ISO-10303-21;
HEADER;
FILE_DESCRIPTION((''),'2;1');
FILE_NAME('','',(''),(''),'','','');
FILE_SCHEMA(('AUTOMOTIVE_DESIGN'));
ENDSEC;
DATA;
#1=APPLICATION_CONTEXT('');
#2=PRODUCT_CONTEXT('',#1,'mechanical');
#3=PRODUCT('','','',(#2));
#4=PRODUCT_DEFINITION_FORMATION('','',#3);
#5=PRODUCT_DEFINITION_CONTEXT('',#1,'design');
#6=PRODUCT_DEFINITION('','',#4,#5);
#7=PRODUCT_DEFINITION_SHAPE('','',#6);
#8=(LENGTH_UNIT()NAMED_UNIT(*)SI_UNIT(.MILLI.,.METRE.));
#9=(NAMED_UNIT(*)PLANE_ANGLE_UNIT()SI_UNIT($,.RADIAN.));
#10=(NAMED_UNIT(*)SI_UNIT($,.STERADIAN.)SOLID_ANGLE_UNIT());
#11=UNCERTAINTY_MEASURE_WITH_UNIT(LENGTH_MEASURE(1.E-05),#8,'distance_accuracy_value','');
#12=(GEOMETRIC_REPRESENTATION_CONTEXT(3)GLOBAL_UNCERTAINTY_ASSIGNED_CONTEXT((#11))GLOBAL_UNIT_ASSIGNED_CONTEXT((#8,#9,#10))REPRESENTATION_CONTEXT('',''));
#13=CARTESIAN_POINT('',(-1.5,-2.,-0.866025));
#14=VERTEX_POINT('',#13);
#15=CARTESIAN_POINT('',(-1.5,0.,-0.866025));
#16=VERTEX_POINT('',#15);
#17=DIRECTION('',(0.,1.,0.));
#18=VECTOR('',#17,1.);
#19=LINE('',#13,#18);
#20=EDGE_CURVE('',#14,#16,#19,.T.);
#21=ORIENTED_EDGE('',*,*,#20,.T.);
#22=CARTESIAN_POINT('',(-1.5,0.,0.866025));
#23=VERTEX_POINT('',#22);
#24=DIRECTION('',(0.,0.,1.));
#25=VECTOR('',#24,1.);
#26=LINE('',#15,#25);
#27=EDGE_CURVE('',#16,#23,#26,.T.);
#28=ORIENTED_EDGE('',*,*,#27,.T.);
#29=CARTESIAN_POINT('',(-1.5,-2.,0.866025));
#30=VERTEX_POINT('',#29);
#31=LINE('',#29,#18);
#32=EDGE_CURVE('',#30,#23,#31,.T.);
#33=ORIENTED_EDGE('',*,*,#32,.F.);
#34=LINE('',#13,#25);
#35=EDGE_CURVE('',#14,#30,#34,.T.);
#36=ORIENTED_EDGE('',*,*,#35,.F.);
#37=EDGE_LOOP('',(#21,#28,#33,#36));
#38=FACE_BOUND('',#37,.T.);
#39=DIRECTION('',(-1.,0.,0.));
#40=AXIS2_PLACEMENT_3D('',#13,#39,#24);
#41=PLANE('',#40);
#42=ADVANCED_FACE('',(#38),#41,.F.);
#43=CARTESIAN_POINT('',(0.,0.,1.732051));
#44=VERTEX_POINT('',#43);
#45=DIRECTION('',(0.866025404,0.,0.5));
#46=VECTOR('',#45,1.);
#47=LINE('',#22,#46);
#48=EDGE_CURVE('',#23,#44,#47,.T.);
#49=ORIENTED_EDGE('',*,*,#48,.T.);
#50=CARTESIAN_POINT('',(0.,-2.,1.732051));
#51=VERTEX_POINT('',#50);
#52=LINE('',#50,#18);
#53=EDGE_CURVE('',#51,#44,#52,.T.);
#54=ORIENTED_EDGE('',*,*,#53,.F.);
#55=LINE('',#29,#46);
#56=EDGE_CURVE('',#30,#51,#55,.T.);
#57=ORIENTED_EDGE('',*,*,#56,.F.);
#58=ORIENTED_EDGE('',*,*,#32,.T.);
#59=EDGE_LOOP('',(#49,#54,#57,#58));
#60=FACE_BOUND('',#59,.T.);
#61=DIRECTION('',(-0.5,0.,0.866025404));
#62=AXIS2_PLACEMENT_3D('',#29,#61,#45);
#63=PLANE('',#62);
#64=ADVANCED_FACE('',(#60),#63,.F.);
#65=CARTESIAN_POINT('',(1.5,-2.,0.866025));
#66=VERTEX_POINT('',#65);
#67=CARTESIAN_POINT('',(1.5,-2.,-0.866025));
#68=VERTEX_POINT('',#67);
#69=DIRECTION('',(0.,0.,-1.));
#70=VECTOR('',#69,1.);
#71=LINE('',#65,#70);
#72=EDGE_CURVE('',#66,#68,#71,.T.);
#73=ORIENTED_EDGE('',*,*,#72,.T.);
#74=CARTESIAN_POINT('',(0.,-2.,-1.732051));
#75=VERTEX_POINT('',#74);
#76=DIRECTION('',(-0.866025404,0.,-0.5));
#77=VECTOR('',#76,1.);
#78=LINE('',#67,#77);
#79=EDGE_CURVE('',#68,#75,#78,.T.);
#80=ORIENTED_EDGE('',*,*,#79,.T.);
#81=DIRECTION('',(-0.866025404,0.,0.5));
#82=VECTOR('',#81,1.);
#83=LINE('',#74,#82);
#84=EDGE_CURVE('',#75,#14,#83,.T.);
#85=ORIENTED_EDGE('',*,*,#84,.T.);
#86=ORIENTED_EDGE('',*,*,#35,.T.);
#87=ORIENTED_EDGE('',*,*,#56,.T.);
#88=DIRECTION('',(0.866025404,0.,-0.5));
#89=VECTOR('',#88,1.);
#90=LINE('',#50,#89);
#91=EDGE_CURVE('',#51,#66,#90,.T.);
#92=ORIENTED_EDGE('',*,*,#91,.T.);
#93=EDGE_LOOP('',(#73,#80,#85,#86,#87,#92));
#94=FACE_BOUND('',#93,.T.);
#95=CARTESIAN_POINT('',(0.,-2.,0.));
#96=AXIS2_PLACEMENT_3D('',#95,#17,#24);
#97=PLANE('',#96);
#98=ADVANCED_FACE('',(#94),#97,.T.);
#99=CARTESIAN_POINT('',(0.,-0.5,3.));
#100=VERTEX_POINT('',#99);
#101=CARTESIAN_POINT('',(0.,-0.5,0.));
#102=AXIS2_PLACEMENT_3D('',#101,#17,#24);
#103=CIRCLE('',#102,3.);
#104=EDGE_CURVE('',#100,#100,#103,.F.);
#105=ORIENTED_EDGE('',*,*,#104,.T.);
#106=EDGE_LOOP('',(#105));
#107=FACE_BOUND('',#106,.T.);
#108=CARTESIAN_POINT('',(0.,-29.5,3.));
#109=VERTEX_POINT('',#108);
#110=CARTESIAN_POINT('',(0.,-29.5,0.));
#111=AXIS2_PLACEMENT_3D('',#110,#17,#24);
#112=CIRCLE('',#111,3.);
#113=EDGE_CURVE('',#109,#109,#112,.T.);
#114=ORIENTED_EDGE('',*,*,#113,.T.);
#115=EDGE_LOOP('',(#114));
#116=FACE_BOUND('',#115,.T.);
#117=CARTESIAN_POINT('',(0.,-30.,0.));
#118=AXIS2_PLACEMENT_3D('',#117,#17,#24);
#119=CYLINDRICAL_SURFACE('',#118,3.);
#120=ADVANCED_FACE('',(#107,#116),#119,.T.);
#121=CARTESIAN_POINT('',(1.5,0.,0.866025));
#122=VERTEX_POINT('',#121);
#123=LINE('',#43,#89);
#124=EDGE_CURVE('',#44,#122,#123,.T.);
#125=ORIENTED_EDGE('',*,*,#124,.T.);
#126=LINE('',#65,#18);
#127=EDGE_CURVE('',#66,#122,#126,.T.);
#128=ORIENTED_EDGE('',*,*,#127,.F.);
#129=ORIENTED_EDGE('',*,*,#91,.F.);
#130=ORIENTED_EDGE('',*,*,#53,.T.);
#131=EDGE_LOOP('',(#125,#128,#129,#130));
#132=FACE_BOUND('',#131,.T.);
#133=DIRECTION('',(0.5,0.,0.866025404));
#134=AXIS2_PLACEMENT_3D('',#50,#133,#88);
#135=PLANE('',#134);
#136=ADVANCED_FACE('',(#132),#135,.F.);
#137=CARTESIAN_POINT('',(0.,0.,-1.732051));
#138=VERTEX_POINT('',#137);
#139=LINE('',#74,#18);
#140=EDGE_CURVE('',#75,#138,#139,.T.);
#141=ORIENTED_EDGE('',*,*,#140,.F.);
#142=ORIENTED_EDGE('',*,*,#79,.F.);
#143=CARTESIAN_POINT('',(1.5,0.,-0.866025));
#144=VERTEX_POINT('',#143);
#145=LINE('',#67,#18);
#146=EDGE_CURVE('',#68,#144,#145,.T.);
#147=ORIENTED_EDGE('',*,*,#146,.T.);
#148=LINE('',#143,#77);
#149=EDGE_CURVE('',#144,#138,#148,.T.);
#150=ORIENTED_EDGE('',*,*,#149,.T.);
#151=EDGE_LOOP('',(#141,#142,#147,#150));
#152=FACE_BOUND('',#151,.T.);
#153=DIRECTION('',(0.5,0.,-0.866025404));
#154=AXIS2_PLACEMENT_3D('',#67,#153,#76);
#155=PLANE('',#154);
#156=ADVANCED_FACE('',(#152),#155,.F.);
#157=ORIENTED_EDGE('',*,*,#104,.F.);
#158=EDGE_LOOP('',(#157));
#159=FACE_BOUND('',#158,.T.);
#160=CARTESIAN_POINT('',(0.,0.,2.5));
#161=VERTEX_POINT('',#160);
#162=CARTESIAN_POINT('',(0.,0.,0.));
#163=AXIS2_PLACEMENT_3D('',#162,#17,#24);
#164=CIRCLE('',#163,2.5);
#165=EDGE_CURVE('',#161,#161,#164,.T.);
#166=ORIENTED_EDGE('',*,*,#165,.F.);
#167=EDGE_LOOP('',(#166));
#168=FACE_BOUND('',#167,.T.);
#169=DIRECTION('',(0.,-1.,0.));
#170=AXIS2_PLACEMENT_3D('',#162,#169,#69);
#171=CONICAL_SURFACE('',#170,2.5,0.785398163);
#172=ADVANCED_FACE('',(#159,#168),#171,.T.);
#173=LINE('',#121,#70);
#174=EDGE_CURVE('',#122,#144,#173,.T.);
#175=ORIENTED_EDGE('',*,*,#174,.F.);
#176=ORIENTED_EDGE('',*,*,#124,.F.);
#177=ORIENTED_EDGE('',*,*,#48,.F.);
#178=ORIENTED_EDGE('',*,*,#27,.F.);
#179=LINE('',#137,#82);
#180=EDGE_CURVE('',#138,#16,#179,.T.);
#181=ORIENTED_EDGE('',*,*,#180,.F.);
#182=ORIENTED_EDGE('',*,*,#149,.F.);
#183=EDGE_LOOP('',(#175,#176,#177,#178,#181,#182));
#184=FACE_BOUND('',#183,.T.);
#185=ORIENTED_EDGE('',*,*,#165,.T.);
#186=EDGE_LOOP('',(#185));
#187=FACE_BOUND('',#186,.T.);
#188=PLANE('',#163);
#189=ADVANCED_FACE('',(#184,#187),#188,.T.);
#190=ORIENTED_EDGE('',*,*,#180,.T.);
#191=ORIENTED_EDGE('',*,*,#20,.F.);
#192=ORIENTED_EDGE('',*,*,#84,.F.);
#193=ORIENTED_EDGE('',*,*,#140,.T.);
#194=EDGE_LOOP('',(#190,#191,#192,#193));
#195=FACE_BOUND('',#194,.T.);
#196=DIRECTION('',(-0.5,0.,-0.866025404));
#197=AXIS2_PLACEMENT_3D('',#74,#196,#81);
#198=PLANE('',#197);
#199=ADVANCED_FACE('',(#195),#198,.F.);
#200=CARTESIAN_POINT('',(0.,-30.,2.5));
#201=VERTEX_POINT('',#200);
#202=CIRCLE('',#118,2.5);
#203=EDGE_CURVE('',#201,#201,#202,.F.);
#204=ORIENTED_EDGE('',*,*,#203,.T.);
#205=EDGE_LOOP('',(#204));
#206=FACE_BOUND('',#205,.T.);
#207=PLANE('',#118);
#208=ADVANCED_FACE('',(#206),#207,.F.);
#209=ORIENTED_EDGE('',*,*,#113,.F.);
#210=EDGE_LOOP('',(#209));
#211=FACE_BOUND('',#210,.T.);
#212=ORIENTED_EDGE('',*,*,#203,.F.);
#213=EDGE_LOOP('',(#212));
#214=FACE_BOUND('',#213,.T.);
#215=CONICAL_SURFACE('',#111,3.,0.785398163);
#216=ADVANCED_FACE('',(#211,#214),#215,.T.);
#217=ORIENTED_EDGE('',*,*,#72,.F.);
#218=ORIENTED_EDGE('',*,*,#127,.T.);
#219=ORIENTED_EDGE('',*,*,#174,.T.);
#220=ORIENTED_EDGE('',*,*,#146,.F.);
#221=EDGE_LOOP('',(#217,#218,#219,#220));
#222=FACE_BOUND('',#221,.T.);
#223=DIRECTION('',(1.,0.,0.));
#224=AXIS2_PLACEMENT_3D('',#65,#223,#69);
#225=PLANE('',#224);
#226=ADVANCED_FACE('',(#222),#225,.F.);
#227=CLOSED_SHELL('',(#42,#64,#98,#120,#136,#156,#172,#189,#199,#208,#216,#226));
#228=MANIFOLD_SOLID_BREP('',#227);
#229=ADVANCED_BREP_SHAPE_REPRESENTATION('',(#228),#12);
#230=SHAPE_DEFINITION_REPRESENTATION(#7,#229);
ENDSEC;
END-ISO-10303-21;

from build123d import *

# Parameters (mm, degrees)
SKETCH1_R           = 3
BOSS_EXTRUDE1_DEPTH = 30
CUT_EXTRUDE1_DEPTH  = 2
CHAMFER1_SIZE       = 0.5


with BuildPart() as part:
    # Sketch1 → Boss-Extrude1 (new body)
    with BuildSketch(Plane(origin=(0, 0, 0), x_dir=(1, 0, 0), z_dir=(0, 1, 0))):
        with Locations(Location((0, 0, 0), (0, 0, 270))):
            Circle(SKETCH1_R)
    extrude(amount=-BOSS_EXTRUDE1_DEPTH)

    # Sketch2 → Cut-Extrude1 (cut)
    with BuildSketch(Plane(origin=(0, 0, 0), x_dir=(1, 0, 0), z_dir=(0, 1, 0))):
        Polygon((0, 1.732050808), (-1.5, 0.866025404), (-1.5, -0.866025404), (0, -1.732050808), (1.5, -0.866025404), (1.5, 0.866025404), align=None)
    extrude(amount=-CUT_EXTRUDE1_DEPTH, mode=Mode.SUBTRACT)

    # Chamfer1
    chamfer1_edges = [part.edges().sort_by_distance(p)[0] for p in [
        (0, 0, -3),
        (0, -30, -3),
    ]]
    chamfer(chamfer1_edges, length=CHAMFER1_SIZE)


solid = part.part
